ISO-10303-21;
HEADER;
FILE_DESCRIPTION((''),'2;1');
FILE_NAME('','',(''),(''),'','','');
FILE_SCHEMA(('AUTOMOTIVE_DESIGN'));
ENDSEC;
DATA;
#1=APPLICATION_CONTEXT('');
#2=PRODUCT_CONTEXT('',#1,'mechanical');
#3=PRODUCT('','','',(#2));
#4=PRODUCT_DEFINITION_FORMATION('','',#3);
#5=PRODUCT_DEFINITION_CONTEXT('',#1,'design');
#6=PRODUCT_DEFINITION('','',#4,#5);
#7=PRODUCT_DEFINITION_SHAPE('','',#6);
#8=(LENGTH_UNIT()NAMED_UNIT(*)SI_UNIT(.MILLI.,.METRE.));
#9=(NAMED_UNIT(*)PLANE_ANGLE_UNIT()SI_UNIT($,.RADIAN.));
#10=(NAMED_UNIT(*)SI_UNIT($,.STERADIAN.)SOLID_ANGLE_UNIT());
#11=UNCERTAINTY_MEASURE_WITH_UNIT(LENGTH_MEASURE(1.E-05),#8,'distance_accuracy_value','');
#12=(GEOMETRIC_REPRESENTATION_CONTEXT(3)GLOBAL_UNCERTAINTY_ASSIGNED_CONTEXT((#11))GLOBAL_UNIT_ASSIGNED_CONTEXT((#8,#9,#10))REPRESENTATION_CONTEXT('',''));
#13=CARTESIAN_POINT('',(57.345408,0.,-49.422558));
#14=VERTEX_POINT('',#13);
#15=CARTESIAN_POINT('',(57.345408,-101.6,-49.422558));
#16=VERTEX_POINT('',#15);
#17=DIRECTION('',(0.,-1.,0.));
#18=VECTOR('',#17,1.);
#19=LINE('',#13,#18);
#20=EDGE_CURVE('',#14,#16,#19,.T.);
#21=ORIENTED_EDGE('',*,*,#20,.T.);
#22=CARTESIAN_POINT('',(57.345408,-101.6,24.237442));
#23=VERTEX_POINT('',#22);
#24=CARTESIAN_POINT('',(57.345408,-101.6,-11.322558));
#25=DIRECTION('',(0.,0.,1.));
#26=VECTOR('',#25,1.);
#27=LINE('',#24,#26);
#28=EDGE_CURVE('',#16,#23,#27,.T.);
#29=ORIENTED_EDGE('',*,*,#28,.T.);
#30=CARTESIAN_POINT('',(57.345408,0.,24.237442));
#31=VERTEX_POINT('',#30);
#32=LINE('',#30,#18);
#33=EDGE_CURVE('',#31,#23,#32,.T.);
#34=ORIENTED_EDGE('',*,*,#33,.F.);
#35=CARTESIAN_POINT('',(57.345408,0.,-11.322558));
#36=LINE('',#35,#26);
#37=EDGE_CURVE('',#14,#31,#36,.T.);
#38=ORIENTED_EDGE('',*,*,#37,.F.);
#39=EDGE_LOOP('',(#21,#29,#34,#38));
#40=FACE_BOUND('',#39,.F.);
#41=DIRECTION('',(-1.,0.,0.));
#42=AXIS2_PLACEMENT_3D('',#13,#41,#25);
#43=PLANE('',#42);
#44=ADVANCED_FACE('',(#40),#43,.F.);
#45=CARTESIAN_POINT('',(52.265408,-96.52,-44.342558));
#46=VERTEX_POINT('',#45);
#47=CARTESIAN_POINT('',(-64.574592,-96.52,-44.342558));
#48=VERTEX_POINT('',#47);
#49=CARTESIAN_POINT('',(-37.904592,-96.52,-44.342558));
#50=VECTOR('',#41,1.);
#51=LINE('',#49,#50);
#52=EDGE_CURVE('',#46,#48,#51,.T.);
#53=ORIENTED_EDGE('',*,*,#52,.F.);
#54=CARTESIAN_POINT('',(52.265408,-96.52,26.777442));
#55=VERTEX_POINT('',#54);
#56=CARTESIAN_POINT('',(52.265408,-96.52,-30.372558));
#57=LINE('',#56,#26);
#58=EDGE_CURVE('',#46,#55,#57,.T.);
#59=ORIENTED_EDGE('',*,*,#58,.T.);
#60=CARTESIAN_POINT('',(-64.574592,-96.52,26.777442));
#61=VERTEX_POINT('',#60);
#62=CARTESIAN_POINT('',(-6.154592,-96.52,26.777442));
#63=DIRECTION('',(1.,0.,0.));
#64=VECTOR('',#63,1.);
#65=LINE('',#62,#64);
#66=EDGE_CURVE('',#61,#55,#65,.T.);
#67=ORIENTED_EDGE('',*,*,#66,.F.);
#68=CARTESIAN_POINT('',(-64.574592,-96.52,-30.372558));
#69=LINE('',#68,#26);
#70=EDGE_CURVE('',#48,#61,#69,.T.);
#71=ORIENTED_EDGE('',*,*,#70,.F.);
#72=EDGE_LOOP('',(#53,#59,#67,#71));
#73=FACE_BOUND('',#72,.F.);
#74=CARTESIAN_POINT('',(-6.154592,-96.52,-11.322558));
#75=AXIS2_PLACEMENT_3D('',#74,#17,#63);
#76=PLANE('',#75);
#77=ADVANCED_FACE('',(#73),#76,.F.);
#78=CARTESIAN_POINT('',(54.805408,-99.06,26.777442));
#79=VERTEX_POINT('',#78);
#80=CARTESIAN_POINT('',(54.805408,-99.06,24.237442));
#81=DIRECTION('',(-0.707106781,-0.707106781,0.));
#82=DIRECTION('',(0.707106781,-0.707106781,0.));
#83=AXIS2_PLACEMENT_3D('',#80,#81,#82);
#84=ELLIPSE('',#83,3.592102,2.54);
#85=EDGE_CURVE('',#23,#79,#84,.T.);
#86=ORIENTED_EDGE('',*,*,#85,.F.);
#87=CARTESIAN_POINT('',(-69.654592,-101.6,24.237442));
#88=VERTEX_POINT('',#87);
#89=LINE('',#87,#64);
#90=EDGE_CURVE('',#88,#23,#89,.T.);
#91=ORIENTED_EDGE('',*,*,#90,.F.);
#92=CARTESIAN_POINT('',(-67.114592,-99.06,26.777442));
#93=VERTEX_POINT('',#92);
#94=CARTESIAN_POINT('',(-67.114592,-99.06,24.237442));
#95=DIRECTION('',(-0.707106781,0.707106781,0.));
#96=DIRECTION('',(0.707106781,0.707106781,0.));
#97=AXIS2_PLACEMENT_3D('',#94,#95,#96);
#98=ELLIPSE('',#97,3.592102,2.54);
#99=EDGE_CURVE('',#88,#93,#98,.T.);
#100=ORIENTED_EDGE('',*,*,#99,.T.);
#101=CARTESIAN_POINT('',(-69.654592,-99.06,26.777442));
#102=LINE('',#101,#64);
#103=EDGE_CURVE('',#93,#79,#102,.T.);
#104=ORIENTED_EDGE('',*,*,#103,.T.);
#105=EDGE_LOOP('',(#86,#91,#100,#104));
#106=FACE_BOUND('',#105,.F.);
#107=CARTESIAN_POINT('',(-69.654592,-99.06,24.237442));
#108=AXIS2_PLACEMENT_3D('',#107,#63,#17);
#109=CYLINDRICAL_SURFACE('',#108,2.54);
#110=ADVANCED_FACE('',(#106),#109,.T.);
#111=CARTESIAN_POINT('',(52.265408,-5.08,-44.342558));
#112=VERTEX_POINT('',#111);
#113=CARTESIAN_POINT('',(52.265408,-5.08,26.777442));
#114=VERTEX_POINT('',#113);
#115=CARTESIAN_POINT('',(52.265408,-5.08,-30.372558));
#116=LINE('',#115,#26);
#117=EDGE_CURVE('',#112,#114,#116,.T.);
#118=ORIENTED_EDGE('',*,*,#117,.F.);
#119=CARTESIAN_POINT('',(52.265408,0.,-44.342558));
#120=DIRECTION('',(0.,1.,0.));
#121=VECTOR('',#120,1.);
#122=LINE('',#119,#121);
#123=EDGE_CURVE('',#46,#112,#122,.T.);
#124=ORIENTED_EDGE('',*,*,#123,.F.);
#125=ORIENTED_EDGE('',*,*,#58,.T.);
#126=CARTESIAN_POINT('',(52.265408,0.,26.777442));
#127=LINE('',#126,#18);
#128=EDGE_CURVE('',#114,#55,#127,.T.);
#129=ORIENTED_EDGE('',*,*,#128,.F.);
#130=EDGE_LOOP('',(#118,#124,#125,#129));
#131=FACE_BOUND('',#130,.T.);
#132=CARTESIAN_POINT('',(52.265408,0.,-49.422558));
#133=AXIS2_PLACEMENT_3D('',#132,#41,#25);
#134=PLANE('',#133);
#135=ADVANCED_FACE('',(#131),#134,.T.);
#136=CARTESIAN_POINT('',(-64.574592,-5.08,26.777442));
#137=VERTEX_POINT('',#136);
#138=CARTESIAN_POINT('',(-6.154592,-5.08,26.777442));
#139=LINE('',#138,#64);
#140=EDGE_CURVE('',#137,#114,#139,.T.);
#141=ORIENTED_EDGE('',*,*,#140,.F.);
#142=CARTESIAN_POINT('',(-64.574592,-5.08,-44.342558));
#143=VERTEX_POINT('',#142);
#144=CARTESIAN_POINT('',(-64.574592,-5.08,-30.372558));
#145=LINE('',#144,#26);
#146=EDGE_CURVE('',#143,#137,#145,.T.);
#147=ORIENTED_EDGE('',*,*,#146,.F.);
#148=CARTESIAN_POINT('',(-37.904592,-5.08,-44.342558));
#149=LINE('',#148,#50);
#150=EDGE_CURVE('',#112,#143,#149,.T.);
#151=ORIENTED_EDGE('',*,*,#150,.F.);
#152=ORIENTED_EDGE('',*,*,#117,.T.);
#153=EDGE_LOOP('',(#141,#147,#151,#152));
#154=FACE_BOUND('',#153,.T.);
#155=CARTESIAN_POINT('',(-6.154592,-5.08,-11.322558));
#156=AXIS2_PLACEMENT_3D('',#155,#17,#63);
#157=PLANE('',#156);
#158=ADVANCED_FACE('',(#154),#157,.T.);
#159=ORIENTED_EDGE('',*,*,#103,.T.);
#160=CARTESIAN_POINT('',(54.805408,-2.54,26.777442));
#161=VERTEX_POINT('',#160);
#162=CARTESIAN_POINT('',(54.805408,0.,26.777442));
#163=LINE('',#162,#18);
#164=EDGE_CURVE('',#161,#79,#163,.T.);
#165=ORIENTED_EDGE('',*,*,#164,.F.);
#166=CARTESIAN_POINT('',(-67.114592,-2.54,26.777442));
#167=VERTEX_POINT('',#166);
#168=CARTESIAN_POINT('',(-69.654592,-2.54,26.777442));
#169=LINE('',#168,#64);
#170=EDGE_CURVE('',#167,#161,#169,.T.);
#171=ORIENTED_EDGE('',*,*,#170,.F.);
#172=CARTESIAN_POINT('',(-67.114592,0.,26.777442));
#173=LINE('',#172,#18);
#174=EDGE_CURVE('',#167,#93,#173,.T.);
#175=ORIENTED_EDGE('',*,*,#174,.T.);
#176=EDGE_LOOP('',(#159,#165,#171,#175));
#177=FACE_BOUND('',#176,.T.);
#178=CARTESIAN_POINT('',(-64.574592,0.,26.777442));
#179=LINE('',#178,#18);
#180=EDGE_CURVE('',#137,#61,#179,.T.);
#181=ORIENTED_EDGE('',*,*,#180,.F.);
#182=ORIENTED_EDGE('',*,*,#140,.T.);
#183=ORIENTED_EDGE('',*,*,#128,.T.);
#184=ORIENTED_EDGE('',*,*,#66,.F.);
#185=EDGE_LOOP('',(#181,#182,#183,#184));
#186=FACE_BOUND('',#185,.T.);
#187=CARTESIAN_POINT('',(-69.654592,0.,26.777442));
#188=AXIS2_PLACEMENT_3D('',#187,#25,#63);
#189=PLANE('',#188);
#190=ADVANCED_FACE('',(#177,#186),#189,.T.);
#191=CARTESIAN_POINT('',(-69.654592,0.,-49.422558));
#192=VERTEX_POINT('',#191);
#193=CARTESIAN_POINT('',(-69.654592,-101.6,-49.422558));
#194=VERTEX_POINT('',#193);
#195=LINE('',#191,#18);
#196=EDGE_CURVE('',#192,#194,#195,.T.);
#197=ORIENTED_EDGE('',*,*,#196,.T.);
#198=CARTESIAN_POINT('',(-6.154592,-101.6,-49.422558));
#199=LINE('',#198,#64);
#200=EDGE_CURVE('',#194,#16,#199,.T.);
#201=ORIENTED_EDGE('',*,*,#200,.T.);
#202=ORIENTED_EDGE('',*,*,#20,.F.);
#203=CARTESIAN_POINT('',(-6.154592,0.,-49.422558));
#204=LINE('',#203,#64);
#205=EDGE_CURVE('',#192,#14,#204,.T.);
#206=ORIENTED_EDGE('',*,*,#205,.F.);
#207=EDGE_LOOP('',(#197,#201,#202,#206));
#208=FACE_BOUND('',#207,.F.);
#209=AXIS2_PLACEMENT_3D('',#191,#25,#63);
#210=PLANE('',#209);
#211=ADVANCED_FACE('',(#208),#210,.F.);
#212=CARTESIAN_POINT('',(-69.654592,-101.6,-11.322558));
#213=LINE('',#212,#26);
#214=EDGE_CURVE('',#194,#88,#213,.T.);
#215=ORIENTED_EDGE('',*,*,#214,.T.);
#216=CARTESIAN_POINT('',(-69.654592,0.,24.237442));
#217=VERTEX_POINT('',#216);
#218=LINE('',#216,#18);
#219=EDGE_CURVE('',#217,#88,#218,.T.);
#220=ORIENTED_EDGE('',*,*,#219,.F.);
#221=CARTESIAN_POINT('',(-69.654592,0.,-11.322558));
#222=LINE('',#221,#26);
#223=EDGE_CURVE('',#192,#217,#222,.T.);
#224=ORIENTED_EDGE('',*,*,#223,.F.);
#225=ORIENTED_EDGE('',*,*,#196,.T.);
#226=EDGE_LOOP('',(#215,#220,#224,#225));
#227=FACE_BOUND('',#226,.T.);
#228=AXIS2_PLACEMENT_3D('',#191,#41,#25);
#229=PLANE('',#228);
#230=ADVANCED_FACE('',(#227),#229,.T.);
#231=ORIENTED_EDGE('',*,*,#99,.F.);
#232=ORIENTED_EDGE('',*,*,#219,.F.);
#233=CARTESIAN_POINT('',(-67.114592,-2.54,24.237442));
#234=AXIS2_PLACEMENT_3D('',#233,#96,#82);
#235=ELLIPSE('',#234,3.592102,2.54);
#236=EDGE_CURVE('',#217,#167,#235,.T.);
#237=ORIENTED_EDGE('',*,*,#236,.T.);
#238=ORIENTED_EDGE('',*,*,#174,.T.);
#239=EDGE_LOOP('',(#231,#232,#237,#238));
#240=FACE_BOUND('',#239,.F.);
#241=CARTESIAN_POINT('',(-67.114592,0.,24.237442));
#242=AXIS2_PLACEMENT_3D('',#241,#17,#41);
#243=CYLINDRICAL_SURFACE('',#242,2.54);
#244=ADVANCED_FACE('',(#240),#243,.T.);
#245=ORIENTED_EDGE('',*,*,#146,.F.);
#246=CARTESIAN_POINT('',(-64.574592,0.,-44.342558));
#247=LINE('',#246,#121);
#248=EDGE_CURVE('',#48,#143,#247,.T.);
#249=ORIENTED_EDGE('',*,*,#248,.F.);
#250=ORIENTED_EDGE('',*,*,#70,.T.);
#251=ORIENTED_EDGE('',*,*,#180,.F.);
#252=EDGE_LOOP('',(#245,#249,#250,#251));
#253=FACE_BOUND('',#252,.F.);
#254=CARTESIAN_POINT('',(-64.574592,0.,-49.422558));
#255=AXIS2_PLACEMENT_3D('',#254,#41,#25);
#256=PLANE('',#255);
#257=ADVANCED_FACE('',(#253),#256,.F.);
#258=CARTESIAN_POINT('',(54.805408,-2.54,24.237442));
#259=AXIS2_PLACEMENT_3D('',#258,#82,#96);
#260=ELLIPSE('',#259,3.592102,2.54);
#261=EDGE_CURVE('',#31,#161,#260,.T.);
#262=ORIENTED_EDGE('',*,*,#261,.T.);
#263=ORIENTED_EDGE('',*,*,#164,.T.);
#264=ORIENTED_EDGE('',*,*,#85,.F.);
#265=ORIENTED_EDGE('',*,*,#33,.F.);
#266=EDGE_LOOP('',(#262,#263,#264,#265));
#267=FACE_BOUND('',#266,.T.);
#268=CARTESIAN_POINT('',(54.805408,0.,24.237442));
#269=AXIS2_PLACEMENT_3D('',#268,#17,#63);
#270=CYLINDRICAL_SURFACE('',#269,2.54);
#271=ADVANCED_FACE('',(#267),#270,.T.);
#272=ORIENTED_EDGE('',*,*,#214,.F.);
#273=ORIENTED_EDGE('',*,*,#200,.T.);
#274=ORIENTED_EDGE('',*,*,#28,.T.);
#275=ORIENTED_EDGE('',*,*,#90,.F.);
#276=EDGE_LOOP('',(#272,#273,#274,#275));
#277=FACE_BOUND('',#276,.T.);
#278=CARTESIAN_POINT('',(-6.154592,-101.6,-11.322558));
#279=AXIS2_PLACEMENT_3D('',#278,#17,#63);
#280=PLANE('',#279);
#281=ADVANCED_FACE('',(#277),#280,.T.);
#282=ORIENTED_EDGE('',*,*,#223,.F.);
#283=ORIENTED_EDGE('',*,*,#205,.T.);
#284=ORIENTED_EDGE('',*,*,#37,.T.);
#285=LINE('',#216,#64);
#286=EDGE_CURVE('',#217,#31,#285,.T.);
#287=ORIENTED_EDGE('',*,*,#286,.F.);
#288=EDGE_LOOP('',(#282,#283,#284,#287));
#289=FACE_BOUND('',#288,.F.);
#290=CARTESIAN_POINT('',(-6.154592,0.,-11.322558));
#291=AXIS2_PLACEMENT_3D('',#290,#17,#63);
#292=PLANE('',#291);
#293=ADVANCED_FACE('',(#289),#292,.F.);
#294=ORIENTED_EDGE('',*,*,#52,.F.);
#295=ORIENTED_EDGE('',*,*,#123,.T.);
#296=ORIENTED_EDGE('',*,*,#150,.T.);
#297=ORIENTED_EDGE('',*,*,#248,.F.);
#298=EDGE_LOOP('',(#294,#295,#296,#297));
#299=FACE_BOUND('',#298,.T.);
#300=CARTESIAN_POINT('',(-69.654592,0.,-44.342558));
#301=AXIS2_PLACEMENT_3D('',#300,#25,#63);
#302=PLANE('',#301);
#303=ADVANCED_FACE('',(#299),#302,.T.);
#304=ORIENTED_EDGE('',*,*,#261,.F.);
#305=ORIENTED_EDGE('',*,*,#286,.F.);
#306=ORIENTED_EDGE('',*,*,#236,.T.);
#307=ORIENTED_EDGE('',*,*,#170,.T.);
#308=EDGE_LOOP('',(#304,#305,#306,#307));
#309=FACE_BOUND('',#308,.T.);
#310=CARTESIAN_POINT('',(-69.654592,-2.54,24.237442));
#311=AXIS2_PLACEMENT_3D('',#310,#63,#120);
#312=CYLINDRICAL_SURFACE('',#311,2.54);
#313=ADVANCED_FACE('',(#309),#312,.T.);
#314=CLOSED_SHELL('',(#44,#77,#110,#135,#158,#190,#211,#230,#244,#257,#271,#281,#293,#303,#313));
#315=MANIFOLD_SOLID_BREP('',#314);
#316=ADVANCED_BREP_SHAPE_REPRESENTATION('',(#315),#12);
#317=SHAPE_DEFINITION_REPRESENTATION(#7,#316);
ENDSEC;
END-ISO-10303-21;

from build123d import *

# Parameters (mm, degrees)
F0_W     = 127
F0_H     = 76.2
F1_DEPTH = 101.6
F2_T     = -5.08
F3_R     = 2.54


with BuildPart() as f1:
    # F0 (on Front) → F1 (new body)
    with BuildSketch(Plane.XZ):
        with Locations((-6.154592, -11.322558)):
            Rectangle(F0_W, F0_H)
    extrude(amount=F1_DEPTH)

    # F2
    f2_openings = [f1.faces().sort_by_distance(p)[0] for p in [
        (-6.154592, -50.8, 26.777442),
    ]]
    offset(amount=F2_T, openings=f2_openings)

    # F3
    f3_edges = [f1.edges().sort_by_distance(p)[0] for p in [
        (-6.154592, -101.6, 26.777442),
        (-69.654592, -50.8, 26.777442),
        (-6.154592, 0, 26.777442),
        (57.345408, -50.8, 26.777442),
    ]]
    fillet(f3_edges, radius=F3_R)


solid = f1.part
